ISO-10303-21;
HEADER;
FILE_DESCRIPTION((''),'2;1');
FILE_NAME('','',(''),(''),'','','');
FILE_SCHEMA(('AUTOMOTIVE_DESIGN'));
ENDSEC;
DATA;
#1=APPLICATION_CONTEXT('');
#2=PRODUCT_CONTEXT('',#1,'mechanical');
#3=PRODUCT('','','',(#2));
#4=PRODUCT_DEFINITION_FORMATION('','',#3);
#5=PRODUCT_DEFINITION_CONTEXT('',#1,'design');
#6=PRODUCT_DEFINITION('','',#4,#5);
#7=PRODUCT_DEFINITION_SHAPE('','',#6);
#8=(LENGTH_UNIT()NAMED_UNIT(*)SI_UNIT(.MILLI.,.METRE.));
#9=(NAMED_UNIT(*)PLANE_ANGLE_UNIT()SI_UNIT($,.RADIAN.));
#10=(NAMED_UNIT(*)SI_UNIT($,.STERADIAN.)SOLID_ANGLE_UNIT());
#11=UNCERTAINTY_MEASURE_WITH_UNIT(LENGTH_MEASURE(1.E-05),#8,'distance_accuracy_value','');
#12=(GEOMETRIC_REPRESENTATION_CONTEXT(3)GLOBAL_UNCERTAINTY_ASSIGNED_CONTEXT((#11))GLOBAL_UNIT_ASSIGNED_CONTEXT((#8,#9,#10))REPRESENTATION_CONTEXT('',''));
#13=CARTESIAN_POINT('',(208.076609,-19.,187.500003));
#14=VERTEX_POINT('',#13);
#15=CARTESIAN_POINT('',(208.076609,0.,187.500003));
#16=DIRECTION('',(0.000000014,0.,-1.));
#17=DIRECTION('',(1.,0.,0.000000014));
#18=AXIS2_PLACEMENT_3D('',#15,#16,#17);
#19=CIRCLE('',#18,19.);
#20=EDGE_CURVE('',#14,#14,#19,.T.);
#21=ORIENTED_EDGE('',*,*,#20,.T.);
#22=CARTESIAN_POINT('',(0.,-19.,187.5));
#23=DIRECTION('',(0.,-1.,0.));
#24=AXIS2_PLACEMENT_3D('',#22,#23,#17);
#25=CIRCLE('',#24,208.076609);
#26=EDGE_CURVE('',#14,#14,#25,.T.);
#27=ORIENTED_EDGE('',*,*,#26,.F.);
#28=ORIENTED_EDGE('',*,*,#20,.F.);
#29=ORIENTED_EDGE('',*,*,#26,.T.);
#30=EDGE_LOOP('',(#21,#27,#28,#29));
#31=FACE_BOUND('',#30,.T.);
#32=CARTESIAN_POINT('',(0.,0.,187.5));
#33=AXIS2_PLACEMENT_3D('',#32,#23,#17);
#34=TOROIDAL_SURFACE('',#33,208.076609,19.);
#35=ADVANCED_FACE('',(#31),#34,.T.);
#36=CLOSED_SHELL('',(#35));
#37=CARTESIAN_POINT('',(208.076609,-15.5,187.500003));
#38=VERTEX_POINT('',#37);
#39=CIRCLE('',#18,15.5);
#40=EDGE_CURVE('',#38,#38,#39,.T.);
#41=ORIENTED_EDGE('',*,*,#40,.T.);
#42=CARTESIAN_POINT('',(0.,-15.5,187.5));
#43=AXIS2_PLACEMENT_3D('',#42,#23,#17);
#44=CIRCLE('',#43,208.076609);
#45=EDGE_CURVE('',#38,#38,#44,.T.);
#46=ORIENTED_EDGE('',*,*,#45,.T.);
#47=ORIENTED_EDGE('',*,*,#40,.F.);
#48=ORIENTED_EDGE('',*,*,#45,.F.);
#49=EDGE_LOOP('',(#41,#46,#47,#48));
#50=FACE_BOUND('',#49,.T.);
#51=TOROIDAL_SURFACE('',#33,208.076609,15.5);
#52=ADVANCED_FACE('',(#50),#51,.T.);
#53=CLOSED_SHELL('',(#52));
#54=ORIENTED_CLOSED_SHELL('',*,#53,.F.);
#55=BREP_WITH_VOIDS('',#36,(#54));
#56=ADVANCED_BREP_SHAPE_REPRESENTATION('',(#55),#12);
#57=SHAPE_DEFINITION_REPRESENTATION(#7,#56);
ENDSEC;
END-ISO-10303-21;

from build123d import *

# Parameters (mm, degrees)
F3_R   = 19
F3_R_2 = 15.5


with BuildPart() as f4:
    # F4: sweep along a path in F0
    with BuildLine(Plane.XZ) as f4_path:
        CenterArc((0, 187.5), 200, 0, 360)
    # F3 (on face) → F4 (sweep)
    with BuildSketch(Plane(origin=(-59.38914, 0, 21.210407), x_dir=(0, -1, 0), z_dir=(-0.941742, 0, 0.336336))):
        with Locations((0, -31.5)):
            Circle(F3_R)
        with Locations((0, -31.5)):
            Circle(F3_R_2, mode=Mode.SUBTRACT)
    sweep(path=f4_path.line)


solid = f4.part
